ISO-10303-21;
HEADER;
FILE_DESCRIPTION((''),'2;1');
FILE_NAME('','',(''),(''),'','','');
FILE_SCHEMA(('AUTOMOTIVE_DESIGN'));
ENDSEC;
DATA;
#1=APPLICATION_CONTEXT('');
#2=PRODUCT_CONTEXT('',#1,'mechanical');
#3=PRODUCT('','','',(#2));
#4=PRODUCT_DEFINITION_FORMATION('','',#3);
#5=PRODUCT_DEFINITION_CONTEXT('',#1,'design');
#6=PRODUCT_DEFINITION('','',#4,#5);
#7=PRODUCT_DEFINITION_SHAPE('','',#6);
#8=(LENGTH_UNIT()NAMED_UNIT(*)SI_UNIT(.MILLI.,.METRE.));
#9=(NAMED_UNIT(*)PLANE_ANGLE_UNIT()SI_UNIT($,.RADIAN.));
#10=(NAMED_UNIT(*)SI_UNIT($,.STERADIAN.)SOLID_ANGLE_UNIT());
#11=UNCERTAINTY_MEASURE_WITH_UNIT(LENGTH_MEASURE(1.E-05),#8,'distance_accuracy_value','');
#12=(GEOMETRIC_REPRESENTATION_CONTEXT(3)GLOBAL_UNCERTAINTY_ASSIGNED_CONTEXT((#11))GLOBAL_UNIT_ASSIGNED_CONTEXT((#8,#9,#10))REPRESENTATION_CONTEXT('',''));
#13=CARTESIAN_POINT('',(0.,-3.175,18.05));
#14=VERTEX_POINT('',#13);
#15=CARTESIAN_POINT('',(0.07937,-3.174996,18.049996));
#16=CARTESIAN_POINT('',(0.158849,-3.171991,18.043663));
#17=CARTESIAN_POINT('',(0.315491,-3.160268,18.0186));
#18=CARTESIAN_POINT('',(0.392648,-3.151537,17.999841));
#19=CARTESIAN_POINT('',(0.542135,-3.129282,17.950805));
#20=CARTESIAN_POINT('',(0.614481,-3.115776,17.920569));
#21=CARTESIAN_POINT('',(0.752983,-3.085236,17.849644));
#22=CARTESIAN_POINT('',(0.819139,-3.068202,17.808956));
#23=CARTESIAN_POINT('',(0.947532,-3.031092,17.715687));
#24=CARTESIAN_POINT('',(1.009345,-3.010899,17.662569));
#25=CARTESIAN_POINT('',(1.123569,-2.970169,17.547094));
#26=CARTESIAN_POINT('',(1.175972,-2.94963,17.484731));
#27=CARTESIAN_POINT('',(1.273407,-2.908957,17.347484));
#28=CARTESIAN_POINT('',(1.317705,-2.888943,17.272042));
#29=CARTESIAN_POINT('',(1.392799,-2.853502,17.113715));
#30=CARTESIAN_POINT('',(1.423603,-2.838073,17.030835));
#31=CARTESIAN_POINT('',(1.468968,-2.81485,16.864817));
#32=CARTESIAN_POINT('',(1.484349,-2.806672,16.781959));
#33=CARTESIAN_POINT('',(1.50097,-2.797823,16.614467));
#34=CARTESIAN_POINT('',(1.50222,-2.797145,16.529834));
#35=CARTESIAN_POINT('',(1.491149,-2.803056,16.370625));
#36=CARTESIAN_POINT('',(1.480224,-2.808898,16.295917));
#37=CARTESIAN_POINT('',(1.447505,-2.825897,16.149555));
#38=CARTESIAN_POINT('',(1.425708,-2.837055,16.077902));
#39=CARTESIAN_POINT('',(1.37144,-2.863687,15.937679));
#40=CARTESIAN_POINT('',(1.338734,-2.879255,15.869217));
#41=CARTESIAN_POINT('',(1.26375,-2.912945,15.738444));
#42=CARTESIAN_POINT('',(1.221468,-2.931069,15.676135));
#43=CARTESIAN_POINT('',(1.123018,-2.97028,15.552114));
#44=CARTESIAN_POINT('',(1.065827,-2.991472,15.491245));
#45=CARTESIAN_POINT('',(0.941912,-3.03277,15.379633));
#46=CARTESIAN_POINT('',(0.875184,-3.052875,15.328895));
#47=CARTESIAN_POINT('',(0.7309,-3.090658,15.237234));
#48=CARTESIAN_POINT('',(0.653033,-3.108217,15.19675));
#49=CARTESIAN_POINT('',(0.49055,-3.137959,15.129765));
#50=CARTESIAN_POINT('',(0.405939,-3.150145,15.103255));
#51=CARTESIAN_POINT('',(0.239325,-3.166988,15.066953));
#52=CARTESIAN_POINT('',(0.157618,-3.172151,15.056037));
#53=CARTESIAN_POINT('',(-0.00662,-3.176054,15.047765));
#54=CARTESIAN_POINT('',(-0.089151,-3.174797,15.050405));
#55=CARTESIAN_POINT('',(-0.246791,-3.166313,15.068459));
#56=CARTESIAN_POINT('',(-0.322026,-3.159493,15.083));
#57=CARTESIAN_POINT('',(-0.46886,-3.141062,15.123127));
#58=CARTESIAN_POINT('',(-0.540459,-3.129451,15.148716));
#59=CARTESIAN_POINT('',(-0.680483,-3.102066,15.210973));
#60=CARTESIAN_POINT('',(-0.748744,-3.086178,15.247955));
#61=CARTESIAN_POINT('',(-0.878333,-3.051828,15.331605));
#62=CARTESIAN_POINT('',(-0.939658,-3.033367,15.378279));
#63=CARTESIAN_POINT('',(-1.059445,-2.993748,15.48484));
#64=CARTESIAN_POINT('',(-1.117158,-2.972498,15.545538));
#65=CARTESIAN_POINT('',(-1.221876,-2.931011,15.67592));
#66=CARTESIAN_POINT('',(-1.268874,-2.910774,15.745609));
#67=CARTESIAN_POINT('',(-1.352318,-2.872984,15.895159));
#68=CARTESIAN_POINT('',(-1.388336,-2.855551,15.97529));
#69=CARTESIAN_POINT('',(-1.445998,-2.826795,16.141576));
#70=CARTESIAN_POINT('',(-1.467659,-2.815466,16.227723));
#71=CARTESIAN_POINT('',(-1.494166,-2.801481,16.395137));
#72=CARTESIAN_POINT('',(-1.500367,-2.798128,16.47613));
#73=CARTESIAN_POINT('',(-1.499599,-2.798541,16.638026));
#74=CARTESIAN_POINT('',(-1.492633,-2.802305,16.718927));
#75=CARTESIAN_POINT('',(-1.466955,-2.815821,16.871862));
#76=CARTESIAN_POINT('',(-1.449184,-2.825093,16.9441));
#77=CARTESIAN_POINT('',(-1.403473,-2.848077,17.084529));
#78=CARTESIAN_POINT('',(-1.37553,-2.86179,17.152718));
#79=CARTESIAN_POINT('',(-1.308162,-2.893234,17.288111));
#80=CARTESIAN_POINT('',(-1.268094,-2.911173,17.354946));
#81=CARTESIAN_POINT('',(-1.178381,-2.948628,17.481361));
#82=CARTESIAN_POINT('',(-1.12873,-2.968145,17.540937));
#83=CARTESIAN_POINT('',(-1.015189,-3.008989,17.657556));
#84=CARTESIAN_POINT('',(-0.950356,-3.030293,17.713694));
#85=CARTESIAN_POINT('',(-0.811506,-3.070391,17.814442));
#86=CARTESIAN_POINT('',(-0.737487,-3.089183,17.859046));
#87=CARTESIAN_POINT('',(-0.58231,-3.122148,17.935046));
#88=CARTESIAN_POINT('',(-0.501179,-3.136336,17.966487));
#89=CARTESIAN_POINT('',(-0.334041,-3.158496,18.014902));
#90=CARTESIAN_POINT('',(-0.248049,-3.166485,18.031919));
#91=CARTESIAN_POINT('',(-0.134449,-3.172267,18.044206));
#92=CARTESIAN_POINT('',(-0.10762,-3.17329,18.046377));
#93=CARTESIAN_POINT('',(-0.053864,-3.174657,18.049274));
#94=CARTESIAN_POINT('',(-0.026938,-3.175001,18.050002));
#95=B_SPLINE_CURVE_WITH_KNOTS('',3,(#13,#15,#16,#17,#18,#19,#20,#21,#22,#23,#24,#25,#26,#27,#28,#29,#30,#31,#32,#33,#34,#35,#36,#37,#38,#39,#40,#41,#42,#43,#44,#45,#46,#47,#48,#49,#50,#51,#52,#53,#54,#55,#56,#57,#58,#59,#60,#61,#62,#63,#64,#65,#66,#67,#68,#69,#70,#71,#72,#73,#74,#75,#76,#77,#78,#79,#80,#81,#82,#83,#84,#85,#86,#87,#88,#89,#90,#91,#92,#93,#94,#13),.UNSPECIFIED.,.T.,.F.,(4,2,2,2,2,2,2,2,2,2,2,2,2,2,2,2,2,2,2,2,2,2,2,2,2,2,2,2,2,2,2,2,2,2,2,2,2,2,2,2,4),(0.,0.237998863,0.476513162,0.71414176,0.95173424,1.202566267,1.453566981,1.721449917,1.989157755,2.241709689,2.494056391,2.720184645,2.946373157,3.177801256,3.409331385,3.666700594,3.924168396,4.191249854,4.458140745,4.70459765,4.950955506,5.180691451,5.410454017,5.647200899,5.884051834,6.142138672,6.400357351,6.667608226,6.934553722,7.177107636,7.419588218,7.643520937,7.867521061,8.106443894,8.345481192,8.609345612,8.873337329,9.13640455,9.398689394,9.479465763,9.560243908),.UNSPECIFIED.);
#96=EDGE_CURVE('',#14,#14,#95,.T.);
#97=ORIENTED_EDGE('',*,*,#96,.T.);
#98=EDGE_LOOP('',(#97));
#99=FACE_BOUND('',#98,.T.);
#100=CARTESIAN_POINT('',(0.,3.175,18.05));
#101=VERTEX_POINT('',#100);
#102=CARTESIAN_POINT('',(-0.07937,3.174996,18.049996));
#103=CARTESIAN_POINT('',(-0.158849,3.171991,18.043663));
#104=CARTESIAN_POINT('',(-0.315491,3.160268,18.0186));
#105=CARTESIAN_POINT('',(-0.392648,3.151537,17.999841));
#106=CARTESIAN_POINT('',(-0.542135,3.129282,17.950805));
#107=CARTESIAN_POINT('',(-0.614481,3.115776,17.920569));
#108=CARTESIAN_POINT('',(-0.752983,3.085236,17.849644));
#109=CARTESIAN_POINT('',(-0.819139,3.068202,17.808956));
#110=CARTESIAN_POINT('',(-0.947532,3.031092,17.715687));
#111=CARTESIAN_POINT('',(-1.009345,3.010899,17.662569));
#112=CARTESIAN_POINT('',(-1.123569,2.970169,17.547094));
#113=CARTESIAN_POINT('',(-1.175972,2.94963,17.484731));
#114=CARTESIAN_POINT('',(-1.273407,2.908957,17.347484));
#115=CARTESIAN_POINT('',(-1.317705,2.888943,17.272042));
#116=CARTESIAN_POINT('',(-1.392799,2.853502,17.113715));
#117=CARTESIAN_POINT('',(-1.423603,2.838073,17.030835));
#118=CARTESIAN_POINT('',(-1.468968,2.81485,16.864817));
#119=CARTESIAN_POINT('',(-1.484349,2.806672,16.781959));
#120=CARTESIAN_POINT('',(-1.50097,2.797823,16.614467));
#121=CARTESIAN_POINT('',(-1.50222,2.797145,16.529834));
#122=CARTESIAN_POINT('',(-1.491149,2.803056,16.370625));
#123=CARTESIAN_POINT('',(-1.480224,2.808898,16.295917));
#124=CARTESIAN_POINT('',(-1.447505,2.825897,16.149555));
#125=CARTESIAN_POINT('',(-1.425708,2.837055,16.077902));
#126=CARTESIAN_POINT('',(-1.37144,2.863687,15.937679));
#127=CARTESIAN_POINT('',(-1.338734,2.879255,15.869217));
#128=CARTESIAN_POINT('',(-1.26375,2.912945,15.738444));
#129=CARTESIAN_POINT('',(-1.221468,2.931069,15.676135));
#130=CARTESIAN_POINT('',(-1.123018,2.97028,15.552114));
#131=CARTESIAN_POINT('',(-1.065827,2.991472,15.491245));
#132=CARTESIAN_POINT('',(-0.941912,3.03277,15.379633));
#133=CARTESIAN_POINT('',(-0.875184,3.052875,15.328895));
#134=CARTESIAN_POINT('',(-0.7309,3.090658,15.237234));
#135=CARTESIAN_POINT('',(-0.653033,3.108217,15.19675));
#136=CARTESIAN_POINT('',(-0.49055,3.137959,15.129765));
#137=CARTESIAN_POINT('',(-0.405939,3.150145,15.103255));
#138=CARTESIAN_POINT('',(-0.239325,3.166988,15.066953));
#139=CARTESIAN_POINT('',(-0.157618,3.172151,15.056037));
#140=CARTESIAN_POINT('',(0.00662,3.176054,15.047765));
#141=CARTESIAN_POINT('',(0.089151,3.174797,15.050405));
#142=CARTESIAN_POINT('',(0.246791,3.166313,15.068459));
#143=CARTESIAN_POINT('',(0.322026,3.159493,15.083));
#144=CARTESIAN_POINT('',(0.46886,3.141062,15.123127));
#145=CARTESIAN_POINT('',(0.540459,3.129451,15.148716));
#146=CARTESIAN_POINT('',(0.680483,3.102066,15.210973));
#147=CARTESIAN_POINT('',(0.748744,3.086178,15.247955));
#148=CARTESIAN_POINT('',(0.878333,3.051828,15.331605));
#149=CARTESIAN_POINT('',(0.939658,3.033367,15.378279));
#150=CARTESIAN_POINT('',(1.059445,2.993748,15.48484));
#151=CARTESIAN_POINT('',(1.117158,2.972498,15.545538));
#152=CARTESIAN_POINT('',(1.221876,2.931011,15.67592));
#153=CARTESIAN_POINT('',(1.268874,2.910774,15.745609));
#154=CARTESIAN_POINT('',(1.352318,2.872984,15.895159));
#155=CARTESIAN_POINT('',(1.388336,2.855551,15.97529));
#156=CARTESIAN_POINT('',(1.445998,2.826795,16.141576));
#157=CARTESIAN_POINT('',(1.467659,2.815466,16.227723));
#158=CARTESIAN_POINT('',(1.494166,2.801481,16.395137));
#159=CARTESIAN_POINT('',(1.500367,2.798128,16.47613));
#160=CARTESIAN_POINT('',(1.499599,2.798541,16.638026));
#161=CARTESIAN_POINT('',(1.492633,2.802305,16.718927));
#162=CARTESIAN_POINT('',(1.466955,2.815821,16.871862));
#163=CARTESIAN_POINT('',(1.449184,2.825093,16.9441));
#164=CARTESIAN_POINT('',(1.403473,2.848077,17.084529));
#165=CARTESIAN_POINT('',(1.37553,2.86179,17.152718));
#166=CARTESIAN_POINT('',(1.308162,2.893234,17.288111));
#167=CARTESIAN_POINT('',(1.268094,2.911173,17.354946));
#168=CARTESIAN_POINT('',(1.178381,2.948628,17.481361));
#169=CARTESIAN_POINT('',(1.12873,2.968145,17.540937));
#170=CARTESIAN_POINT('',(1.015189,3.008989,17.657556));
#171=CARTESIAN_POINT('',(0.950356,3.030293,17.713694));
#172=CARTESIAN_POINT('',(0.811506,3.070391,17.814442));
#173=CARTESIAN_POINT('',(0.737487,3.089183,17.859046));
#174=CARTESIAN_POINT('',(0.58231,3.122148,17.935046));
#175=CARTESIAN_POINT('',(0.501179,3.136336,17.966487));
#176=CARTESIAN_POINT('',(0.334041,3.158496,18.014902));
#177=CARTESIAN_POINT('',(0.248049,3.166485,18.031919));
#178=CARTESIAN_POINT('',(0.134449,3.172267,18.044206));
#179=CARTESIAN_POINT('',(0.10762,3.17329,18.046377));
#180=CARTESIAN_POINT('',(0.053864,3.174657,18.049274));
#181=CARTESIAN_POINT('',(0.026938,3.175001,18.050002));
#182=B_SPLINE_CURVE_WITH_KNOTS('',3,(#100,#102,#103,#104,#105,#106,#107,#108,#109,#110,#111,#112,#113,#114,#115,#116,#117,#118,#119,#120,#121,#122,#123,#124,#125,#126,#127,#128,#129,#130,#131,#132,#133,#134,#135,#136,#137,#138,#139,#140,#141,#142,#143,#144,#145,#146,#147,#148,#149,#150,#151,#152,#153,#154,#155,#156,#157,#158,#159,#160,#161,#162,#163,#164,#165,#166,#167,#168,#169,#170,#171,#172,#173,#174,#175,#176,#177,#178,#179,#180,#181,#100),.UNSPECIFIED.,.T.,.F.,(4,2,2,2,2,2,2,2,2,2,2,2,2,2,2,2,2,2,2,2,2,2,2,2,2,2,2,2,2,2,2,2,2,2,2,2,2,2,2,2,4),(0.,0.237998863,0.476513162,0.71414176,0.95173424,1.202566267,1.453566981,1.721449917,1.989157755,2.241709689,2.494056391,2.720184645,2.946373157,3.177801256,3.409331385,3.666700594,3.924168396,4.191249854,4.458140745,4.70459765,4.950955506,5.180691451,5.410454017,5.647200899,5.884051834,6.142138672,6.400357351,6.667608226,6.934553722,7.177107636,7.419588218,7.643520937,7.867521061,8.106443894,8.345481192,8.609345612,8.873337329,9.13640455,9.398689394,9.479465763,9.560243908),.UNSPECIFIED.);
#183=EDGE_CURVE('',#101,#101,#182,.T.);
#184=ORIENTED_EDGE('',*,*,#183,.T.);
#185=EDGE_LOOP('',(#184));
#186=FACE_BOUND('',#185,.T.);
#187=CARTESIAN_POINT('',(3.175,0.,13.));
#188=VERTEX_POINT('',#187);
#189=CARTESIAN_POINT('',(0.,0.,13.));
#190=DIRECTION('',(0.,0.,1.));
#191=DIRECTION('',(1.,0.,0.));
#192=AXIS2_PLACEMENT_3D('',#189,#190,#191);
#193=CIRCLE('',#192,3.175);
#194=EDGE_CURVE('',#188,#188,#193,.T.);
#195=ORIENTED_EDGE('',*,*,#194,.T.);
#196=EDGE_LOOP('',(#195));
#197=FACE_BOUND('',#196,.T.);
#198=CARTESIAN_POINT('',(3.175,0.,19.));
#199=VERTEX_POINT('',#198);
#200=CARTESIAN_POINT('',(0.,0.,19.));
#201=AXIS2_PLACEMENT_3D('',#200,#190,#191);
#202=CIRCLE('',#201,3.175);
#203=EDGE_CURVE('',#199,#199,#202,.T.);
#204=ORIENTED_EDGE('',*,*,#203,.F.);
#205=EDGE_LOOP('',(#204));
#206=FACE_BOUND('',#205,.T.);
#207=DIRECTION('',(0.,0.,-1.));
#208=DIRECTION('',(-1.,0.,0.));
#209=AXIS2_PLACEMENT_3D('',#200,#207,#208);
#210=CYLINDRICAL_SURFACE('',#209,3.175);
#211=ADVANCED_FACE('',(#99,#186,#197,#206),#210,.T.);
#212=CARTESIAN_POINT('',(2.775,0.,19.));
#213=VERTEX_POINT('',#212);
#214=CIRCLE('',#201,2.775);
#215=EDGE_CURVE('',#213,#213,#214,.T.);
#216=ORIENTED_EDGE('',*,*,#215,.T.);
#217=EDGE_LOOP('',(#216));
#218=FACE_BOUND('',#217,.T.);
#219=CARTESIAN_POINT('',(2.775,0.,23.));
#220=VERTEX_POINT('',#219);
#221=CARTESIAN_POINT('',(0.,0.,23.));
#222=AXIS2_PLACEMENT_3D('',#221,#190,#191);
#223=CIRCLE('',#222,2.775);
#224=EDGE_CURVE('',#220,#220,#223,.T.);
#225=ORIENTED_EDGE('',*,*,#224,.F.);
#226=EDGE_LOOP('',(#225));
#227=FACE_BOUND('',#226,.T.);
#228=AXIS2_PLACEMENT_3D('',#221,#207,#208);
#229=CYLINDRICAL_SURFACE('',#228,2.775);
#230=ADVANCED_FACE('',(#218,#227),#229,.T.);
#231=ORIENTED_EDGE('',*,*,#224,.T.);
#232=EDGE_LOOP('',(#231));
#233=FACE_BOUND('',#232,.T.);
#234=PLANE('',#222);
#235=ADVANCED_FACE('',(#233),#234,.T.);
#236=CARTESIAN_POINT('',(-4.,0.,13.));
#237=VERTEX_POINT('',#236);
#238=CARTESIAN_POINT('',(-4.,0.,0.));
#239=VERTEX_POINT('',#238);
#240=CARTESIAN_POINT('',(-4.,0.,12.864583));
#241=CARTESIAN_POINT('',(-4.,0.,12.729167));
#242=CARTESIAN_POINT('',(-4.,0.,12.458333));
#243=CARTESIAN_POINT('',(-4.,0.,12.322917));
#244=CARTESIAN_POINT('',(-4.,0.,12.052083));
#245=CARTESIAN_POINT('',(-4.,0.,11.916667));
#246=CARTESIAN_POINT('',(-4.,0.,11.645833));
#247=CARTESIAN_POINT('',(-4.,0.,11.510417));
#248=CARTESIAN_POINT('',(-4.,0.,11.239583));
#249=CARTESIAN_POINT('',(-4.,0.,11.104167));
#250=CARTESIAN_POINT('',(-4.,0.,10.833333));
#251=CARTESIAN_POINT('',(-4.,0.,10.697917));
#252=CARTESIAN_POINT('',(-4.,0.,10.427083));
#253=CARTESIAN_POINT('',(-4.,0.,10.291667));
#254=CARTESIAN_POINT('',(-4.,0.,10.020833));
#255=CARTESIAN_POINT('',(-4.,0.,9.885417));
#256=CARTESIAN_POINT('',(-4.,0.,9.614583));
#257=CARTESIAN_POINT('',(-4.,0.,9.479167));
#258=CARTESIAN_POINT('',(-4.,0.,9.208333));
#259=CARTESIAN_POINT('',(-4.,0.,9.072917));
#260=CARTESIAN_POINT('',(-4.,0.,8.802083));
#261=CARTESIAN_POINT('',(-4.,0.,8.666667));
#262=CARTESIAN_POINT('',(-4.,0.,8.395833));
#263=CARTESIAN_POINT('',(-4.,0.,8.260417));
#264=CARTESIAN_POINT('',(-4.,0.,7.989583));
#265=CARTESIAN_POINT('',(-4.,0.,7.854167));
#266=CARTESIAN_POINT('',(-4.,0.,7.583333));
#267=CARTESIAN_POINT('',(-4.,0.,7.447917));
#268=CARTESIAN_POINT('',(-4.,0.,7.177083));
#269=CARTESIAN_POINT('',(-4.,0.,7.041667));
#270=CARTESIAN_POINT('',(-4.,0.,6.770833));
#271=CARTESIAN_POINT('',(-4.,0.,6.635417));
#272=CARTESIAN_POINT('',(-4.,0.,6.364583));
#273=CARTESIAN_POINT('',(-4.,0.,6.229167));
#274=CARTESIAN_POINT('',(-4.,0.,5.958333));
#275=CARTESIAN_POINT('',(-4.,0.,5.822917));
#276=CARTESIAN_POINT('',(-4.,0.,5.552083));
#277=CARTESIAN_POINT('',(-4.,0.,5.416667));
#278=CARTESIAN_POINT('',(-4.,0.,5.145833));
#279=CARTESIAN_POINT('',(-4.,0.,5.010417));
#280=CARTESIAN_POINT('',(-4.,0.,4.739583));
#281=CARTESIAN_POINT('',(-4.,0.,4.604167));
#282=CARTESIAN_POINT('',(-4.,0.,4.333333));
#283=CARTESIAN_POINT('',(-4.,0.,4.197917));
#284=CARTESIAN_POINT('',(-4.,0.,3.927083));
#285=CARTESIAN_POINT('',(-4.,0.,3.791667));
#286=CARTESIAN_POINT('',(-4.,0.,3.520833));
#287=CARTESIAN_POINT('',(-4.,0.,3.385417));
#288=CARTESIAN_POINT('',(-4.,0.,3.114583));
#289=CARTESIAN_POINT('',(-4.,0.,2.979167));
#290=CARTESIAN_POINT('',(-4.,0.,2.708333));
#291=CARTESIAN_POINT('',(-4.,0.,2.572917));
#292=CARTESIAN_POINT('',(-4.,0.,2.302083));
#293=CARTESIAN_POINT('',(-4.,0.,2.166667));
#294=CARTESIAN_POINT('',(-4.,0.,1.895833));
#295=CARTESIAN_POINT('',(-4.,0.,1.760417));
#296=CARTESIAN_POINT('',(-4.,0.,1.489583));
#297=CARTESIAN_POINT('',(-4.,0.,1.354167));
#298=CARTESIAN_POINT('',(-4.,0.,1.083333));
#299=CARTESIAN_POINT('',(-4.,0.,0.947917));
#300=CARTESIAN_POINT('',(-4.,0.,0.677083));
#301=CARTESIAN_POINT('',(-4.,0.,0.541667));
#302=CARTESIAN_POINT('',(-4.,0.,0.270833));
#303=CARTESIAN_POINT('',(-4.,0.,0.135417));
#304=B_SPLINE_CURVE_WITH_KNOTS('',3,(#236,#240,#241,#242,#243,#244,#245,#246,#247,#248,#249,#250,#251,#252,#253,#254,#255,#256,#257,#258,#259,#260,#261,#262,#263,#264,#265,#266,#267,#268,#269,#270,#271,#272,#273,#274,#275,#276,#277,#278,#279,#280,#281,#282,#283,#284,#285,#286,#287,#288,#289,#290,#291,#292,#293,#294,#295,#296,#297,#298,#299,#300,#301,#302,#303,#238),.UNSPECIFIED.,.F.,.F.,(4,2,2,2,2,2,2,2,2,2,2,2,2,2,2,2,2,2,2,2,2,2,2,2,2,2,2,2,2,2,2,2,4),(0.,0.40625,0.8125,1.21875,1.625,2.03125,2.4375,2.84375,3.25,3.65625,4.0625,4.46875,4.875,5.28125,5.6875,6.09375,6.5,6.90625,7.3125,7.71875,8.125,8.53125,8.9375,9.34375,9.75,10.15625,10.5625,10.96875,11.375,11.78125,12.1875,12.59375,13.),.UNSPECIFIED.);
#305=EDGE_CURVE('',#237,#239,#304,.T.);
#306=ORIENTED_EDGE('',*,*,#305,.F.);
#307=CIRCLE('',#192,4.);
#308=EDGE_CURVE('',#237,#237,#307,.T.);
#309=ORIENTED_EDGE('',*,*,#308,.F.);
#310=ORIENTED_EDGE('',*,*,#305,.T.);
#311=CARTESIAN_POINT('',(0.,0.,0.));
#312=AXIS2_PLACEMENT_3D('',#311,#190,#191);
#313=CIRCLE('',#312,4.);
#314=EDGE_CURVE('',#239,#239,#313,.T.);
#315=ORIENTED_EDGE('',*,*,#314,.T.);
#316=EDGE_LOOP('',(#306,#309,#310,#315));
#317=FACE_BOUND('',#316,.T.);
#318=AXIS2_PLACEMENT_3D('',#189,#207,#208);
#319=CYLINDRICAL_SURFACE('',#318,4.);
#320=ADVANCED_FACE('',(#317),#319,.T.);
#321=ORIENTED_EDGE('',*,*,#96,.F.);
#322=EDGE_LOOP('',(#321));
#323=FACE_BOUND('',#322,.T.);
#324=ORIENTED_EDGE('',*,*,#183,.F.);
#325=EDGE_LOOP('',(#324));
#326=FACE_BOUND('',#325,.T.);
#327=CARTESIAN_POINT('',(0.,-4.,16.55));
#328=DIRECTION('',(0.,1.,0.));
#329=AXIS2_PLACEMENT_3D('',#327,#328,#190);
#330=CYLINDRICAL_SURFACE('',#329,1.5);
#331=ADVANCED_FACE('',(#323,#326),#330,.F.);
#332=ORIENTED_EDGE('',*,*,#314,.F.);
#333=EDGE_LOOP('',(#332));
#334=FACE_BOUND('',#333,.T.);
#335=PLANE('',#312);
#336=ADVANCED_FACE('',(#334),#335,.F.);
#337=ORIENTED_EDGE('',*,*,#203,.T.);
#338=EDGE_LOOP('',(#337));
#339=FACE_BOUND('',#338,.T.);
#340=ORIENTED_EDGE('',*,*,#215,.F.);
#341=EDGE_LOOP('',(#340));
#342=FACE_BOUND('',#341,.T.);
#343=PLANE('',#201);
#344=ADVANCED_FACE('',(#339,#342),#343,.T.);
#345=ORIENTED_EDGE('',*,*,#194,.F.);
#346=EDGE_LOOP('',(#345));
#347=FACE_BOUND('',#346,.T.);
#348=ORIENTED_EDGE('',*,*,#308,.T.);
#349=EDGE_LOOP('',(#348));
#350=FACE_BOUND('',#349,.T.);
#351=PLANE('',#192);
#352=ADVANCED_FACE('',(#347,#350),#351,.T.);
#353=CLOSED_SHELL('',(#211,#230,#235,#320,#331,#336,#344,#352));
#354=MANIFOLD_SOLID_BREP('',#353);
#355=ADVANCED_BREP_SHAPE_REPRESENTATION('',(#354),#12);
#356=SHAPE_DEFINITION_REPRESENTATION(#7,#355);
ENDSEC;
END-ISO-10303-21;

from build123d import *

# Parameters (mm, degrees)
SKETCH1_R               = 4
BOSS_EXTRUDE2_DEPTH     = 13
SKETCH2_R               = 3.175
BOSS_EXTRUDE3_DEPTH     = 6
SKETCH3_R               = 2.775
BOSS_EXTRUDE4_DEPTH     = 4
CUT_EXTRUDE1_DEPTH      = 24.685438565
CUT_EXTRUDE1_DEPTH_BACK = 24.685438565
SKETCH4_R               = 1.5


with BuildPart() as part:
    # Sketch1 → Boss-Extrude2 (new body)
    with BuildSketch(Plane.XY):
        with Locations(Location((0, 0, 0), (0, 0, 180))):
            Circle(SKETCH1_R)
    extrude(amount=BOSS_EXTRUDE2_DEPTH)

    # Sketch2 → Boss-Extrude3 (add)
    with BuildSketch(Plane.XY.offset(13)):
        Circle(SKETCH2_R)
    extrude(amount=BOSS_EXTRUDE3_DEPTH)

    # Sketch3 → Boss-Extrude4 (add)
    with BuildSketch(Plane.XY.offset(19)):
        Circle(SKETCH3_R)
    extrude(amount=BOSS_EXTRUDE4_DEPTH)

    # Sketch4 → Cut-Extrude1 (cut, two sides: drawn at the far end of the back side and taken through both)
    with BuildSketch(Plane(origin=(0, 0, 0), x_dir=(1, 0, 0), z_dir=(0, 1, 0)).offset(-CUT_EXTRUDE1_DEPTH_BACK)):
        with Locations(Location((0, -16.55, 0), (0, 0, 270))):
            Circle(SKETCH4_R)
    extrude(amount=CUT_EXTRUDE1_DEPTH + CUT_EXTRUDE1_DEPTH_BACK, mode=Mode.SUBTRACT)


solid = part.part
